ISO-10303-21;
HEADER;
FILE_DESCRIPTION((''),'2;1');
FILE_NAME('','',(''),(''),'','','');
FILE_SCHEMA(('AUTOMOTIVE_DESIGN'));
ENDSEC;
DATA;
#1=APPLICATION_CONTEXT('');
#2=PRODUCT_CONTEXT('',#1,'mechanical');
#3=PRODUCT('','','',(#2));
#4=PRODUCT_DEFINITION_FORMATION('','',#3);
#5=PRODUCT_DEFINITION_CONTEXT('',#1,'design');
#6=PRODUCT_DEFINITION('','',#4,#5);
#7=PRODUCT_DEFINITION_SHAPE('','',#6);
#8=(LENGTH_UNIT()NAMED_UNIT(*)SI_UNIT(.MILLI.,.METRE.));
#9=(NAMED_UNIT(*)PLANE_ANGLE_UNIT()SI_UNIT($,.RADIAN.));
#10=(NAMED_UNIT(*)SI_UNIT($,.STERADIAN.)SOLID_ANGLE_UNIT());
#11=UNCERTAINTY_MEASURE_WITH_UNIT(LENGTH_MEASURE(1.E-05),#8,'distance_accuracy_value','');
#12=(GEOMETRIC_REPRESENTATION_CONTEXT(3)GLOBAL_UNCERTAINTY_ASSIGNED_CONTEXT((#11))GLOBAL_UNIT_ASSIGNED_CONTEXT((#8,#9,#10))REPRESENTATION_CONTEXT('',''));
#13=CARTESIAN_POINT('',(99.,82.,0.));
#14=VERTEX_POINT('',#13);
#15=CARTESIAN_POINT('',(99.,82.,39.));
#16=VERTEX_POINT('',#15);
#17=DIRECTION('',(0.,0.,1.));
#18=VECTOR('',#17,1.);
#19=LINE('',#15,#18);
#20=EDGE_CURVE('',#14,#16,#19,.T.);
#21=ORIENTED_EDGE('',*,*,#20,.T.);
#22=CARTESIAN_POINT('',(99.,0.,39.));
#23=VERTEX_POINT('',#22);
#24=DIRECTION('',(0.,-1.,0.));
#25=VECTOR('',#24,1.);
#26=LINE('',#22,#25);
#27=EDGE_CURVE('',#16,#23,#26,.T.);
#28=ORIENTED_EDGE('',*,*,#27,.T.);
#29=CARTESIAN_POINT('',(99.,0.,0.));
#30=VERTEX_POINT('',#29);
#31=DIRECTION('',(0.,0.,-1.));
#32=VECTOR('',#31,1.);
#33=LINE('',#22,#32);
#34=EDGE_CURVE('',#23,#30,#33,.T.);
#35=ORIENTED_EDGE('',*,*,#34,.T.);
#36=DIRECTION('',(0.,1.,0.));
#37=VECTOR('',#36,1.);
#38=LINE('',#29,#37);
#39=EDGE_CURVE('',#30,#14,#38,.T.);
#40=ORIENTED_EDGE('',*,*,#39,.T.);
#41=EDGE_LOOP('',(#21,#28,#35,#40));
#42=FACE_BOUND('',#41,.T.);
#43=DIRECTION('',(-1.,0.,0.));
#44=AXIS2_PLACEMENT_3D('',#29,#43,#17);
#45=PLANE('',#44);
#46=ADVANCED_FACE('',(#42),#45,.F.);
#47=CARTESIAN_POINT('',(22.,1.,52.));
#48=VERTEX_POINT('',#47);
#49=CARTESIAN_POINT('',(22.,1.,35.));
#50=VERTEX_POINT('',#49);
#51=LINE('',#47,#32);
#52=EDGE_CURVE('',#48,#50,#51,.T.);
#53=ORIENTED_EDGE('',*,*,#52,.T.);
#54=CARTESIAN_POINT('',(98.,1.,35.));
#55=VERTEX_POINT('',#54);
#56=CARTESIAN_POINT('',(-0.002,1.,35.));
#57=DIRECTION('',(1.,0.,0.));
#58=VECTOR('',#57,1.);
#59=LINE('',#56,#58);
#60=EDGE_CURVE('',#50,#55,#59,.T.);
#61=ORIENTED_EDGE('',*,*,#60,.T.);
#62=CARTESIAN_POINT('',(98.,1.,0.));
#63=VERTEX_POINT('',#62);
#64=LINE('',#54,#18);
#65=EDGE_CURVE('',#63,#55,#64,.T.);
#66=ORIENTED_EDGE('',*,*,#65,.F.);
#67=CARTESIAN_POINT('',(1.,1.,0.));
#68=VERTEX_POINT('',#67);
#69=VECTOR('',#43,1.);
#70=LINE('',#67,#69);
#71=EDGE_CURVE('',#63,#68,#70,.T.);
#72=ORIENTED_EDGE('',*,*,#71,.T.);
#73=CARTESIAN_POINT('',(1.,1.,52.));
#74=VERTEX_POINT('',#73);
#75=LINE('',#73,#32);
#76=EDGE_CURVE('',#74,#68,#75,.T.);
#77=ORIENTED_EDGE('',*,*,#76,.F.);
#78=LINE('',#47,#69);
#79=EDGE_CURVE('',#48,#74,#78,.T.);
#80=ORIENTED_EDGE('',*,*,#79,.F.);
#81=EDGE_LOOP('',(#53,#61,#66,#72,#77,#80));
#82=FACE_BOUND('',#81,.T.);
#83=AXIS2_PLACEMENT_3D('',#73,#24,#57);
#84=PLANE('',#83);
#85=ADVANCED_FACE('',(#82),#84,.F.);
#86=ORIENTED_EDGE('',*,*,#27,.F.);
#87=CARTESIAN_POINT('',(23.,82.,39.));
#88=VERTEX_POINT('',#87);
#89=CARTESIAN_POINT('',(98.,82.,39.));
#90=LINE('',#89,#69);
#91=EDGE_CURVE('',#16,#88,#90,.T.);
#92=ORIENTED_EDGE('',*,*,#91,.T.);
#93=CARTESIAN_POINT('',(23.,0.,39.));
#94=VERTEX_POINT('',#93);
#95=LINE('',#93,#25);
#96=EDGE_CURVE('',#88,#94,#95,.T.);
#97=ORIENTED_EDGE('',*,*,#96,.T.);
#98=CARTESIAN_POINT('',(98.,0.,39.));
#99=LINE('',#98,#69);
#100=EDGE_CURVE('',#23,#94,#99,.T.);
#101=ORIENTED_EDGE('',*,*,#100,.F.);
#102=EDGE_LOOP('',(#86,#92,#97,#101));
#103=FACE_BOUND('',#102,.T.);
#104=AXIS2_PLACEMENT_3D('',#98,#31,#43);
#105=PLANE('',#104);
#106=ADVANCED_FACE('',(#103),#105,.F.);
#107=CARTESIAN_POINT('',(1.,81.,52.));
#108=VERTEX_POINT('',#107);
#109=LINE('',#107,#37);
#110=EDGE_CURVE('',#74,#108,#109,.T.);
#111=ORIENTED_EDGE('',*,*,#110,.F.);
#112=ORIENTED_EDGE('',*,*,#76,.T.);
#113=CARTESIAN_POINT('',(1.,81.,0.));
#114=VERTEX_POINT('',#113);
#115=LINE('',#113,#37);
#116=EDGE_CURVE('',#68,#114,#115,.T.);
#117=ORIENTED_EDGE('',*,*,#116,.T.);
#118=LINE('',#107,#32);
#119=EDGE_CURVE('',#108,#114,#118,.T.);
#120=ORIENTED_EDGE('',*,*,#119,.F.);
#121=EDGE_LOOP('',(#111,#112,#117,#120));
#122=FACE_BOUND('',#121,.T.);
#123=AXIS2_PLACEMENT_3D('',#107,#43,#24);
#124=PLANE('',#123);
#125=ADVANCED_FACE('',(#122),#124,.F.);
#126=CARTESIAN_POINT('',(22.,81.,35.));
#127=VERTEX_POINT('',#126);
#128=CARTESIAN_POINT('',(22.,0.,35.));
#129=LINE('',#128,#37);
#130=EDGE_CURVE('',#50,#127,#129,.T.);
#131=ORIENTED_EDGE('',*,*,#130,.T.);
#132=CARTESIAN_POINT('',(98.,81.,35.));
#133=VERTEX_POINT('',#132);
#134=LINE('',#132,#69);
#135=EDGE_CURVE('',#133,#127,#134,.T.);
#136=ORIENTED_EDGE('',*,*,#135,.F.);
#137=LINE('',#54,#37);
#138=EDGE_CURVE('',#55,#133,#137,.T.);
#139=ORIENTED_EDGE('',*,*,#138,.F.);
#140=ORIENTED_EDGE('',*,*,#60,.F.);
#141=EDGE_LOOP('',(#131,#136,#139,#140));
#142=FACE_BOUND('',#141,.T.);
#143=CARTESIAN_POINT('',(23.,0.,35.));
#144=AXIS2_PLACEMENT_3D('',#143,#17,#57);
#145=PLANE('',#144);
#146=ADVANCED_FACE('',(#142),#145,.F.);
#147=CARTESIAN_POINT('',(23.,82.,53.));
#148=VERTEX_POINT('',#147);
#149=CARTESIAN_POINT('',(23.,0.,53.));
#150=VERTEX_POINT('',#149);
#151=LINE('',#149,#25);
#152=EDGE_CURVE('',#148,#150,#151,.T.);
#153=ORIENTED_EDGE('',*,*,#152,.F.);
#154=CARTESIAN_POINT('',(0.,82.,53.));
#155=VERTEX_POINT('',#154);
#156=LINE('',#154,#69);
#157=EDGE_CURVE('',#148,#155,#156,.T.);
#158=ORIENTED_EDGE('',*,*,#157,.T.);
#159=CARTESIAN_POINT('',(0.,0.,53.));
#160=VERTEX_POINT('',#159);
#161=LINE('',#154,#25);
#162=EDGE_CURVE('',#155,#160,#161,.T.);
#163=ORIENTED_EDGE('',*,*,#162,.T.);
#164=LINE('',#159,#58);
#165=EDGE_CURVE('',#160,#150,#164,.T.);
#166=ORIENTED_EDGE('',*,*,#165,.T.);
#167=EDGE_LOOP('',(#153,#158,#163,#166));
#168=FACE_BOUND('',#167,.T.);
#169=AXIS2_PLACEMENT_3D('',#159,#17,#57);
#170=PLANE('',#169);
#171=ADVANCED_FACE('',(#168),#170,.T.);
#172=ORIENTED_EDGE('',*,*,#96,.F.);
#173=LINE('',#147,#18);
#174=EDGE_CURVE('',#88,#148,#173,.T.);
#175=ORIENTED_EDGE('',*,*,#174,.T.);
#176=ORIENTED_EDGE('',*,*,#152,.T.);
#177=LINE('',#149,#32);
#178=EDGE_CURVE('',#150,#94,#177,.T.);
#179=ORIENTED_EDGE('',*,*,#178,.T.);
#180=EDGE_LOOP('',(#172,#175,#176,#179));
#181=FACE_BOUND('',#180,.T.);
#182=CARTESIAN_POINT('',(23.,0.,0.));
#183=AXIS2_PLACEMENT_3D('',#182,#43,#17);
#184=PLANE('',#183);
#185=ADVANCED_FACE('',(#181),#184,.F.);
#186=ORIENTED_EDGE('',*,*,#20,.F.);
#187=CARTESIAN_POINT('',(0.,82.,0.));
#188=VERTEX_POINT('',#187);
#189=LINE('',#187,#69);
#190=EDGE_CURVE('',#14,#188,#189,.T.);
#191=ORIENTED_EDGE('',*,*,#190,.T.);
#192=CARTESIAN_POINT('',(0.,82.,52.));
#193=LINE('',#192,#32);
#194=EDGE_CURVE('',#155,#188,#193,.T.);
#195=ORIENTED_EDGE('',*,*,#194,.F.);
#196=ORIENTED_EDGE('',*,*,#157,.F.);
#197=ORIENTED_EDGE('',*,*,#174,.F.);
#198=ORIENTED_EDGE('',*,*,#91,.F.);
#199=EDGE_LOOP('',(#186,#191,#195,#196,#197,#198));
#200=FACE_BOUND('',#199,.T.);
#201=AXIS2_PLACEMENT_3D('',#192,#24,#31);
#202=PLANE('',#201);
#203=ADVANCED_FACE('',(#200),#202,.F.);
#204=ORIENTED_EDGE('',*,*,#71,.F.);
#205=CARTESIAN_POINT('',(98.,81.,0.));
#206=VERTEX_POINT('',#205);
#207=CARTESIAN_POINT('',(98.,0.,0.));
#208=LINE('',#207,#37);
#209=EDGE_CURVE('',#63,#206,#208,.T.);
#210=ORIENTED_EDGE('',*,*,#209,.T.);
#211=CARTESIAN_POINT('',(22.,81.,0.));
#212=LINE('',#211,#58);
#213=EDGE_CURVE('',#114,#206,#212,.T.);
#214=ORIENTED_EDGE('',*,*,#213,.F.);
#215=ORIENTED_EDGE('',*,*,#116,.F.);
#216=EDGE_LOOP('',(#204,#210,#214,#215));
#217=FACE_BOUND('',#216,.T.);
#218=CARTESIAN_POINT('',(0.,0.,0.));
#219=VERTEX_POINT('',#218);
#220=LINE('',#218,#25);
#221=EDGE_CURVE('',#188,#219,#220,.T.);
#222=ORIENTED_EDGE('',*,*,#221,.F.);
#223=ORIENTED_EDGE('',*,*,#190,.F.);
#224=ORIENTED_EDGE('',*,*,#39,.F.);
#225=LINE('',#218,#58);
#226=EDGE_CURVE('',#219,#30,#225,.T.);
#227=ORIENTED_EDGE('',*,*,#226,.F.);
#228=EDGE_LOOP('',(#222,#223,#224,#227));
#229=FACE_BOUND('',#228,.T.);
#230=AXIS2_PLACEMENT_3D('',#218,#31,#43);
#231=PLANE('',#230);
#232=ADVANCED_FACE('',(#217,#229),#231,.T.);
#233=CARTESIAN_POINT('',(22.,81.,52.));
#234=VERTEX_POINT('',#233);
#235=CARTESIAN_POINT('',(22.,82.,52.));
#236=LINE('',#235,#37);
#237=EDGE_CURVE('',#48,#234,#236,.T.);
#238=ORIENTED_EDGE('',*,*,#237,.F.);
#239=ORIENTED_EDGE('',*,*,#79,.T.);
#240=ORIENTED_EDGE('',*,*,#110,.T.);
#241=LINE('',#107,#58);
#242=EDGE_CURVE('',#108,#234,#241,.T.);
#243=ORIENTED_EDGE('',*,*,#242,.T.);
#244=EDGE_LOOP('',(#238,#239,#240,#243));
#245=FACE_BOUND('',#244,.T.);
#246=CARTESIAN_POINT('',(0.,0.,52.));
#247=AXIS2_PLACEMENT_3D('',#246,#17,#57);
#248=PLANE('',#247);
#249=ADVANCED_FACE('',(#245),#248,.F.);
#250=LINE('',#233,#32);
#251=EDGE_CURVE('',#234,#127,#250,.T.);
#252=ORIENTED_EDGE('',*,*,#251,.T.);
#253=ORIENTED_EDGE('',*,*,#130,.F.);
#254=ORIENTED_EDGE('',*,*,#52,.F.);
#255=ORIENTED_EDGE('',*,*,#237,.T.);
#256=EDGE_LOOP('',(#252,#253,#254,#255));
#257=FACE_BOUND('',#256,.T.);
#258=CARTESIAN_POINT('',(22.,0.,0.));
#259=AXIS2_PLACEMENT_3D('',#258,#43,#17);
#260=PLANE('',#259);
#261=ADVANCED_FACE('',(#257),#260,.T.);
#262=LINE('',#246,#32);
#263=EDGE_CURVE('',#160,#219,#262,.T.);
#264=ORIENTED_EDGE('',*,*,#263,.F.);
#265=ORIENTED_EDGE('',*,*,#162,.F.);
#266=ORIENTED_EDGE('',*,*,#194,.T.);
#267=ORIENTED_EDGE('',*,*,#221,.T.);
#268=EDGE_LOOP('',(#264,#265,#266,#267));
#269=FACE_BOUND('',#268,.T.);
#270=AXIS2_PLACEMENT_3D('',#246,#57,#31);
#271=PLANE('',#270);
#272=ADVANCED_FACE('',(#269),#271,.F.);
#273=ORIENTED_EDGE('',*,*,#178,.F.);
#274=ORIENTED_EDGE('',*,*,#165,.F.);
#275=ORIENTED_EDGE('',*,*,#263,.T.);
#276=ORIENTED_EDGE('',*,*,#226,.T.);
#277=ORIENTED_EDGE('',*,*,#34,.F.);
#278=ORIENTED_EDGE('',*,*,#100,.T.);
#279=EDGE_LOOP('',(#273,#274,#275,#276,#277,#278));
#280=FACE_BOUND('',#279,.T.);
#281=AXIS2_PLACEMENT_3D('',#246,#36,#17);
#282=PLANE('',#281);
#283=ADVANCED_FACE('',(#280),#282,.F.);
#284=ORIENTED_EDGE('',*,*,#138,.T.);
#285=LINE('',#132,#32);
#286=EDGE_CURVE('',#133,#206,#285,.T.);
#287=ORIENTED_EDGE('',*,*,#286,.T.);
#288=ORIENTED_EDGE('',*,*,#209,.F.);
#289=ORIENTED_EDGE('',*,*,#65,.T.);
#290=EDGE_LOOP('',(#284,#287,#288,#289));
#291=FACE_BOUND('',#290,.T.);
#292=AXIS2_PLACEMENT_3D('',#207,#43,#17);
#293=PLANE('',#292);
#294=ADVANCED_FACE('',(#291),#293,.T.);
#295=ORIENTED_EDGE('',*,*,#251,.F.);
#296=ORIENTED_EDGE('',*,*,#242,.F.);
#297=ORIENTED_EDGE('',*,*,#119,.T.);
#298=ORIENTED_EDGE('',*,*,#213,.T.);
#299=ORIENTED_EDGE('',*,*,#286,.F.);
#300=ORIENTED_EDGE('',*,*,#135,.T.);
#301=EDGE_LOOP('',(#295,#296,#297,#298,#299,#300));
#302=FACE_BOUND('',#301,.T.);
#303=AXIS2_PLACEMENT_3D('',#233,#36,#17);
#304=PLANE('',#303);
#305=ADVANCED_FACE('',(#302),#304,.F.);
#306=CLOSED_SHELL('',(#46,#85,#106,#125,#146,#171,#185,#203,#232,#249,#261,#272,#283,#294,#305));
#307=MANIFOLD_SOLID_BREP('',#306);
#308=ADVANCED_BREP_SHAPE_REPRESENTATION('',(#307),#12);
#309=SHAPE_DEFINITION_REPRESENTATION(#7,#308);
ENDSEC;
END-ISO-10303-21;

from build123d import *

# Parameters (mm, degrees)
BOSS_EXTRU_1_DEPTH = 52
ESQUISSE2_W        = 22
ESQUISSE2_H        = 82
BOSS_EXTRU_2_DEPTH = 1
ESQUISSE3_W        = 18
ESQUISSE3_H        = 82
BOSS_EXTRU_3_DEPTH = 1
BOSS_EXTRU_4_START = -1
BOSS_EXTRU_4_DEPTH = 76
ESQUISSE6_W        = 39
ESQUISSE6_H        = 82
BOSS_EXTRU_5_DEPTH = 1


with BuildPart() as part:
    # Esquisse1 → Boss.-Extru.1 (new body)
    with BuildSketch(Plane.XY):
        Polygon((22, 82), (22, 81), (21, 81), (1, 81), (1, 1), (21, 1), (22, 1), (22, 0), (0, 0), (0, 82), align=None)
    extrude(amount=BOSS_EXTRU_1_DEPTH)

    # Esquisse2 → Boss.-Extru.2 (add)
    with BuildSketch(Plane.XY.offset(52)):
        with Locations((11, 41)):
            Rectangle(ESQUISSE2_W, ESQUISSE2_H)
    extrude(amount=BOSS_EXTRU_2_DEPTH)

    # Esquisse3 → Boss.-Extru.3 (add)
    with BuildSketch(Plane(origin=(22, 0, 0), x_dir=(0, 0, -1), z_dir=(1, 0, 0))):
        with Locations((-44, 41)):
            Rectangle(ESQUISSE3_W, ESQUISSE3_H)
    extrude(amount=BOSS_EXTRU_3_DEPTH)

    # Esquisse5 → Boss.-Extru.4 (add)
    with BuildSketch(Plane(origin=(23, 0, 0), x_dir=(0, 0, -1), z_dir=(1, 0, 0)).offset(BOSS_EXTRU_4_START)):
        Polygon((-39, 0), (0, 0), (0, 1), (-35, 1), (-35, 81), (0, 81), (0, 82), (-39, 82), align=None)
    extrude(amount=BOSS_EXTRU_4_DEPTH)

    # Esquisse6 → Boss.-Extru.5 (add)
    with BuildSketch(Plane(origin=(98, 0, 0), x_dir=(0, 0, -1), z_dir=(1, 0, 0))):
        with Locations((-19.5, 41)):
            Rectangle(ESQUISSE6_W, ESQUISSE6_H)
    extrude(amount=BOSS_EXTRU_5_DEPTH)


solid = part.part
